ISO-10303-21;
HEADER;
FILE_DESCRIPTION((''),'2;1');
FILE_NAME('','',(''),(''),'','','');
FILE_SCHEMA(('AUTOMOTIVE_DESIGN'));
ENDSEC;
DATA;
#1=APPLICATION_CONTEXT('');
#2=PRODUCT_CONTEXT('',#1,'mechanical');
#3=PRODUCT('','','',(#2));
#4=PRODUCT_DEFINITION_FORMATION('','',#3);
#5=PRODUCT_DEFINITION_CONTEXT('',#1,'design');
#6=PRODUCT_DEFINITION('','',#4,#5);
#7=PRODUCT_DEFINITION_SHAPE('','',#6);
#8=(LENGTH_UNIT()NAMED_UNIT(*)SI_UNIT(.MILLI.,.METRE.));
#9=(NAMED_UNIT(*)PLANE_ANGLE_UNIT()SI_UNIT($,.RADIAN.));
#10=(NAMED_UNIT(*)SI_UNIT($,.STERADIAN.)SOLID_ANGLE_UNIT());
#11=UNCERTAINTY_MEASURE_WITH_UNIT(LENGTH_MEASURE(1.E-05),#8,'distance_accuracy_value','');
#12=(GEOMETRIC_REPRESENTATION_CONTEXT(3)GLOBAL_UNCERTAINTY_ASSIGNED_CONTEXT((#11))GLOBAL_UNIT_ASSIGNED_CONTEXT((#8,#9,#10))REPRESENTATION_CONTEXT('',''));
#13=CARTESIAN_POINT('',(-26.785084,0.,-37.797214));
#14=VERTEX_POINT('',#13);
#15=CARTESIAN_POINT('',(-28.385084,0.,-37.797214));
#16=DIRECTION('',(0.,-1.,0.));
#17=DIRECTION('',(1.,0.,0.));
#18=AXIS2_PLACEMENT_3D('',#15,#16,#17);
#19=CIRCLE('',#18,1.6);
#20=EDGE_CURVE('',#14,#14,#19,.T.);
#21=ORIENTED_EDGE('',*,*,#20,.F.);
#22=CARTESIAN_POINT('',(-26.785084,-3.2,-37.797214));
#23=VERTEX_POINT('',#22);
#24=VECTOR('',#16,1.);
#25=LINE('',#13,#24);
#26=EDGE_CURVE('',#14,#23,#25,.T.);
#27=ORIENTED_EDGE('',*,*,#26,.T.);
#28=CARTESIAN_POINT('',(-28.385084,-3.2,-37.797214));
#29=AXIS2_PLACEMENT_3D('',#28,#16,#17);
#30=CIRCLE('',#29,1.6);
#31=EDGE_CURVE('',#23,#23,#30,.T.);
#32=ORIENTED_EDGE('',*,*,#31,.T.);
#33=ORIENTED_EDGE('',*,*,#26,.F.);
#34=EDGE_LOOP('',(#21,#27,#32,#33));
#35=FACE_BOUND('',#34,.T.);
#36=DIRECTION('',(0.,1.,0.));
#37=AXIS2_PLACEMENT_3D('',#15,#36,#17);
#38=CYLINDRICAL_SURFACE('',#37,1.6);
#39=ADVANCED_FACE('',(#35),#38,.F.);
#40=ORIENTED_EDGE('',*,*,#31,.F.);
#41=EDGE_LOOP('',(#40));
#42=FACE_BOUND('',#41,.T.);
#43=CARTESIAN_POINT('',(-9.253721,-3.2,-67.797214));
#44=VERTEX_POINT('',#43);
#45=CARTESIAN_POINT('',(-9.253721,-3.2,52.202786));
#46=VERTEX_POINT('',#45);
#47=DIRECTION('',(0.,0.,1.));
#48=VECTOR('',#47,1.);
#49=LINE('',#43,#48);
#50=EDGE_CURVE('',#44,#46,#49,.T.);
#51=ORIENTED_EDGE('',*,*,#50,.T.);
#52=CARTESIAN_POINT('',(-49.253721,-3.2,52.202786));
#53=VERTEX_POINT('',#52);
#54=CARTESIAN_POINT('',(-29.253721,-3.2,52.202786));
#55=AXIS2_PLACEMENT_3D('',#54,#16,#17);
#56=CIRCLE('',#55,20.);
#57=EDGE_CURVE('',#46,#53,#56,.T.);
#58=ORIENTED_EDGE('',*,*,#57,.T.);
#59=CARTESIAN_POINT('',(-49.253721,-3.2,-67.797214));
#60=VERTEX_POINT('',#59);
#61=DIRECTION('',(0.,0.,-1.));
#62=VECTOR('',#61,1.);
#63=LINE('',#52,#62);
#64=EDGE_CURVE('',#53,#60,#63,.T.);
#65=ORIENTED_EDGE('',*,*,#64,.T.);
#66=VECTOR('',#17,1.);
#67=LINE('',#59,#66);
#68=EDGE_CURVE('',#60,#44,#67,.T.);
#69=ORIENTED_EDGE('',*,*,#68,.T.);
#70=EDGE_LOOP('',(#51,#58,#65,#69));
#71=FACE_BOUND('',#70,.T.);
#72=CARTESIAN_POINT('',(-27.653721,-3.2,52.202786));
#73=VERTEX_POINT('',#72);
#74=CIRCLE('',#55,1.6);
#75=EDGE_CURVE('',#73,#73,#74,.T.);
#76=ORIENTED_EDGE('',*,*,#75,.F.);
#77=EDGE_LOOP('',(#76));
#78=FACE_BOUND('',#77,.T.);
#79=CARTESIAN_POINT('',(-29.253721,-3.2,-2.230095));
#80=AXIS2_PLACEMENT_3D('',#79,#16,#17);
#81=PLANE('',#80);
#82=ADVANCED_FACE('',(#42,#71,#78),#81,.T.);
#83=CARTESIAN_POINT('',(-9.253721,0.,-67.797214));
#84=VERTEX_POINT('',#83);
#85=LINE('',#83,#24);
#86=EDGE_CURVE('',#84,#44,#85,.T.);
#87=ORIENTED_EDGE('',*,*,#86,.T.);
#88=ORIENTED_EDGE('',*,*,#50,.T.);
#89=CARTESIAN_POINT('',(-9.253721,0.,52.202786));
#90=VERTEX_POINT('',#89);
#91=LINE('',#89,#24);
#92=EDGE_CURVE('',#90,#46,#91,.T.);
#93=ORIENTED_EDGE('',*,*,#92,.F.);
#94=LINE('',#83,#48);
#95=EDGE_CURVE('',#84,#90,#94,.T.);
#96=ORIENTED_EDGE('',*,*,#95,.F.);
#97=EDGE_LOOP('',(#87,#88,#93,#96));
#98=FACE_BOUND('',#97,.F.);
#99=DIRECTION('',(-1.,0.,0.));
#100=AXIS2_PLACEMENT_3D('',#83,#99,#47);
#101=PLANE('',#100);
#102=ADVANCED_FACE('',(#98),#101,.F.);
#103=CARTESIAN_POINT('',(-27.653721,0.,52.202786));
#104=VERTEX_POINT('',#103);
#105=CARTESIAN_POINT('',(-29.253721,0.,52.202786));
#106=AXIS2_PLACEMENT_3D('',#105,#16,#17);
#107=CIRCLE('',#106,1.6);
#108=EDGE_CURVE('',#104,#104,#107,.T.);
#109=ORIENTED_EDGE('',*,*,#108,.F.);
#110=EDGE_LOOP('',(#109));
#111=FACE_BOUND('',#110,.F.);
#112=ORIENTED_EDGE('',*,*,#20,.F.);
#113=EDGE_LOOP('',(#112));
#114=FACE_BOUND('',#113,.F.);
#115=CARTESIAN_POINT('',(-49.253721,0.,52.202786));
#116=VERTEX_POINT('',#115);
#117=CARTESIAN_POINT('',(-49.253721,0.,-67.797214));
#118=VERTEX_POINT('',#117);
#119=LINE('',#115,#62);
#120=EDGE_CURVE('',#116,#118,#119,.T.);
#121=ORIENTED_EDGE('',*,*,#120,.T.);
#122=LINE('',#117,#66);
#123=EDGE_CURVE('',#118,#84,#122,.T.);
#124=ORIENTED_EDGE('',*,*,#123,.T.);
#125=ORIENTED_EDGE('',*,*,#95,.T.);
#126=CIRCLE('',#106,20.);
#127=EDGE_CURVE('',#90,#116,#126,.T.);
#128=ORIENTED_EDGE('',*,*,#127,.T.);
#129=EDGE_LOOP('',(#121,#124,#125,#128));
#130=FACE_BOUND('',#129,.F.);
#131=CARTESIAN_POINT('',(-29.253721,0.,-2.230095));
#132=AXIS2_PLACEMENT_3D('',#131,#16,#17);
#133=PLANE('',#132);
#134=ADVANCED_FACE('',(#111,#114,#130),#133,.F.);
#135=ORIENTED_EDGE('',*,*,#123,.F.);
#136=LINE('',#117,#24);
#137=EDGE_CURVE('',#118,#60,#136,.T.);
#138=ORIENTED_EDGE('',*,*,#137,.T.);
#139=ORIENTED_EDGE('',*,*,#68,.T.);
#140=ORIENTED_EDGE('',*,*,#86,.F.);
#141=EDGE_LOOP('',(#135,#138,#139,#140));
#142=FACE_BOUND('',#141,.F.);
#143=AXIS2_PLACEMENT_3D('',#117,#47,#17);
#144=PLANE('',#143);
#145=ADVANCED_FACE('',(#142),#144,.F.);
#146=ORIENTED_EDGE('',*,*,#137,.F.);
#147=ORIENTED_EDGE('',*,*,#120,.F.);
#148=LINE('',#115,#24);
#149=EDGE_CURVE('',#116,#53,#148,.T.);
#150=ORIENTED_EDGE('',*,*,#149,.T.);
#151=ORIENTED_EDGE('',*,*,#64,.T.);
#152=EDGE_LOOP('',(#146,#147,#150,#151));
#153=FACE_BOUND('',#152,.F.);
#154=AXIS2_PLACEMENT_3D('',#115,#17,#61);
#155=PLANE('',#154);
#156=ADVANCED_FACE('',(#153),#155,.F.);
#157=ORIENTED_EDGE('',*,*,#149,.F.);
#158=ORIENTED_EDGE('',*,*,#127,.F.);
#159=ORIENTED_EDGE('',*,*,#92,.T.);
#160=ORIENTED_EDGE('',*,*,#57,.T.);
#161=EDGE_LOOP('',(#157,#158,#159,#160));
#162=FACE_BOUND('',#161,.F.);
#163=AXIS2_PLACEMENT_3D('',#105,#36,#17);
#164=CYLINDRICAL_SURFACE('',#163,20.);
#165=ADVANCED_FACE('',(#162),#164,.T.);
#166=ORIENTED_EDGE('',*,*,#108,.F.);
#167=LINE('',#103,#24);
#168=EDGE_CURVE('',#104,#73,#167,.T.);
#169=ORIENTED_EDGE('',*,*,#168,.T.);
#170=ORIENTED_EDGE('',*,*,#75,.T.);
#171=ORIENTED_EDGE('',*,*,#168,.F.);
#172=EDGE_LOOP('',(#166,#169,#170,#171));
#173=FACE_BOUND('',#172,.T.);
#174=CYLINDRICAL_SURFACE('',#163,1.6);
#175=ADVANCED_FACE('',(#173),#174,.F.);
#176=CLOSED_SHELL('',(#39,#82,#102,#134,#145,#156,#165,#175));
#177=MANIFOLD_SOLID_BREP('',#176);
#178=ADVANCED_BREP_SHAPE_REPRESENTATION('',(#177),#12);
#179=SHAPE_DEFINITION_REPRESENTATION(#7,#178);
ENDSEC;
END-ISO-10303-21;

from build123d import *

# Parameters (mm, degrees)
F0_R     = 1.6
F1_DEPTH = 3.2


with BuildPart() as f1:
    # F0 (on Front) → F1 (new body)
    with BuildSketch(Plane.XZ):
        with BuildLine():
            Line((-49.253721, -67.797214), (-9.253721, -67.797214))
            Line((-9.253721, -67.797214), (-9.253721, 52.202786))
            ThreePointArc((-9.253721, 52.202786), (-29.253721, 72.202786), (-49.253721, 52.202786))
            Line((-49.253721, 52.202786), (-49.253721, -67.797214))
        make_face()
        with Locations((-28.385084, -37.797214)):
            Circle(F0_R, mode=Mode.SUBTRACT)
        with Locations((-29.253721, 52.202786)):
            Circle(F0_R, mode=Mode.SUBTRACT)
    extrude(amount=F1_DEPTH)


solid = f1.part
